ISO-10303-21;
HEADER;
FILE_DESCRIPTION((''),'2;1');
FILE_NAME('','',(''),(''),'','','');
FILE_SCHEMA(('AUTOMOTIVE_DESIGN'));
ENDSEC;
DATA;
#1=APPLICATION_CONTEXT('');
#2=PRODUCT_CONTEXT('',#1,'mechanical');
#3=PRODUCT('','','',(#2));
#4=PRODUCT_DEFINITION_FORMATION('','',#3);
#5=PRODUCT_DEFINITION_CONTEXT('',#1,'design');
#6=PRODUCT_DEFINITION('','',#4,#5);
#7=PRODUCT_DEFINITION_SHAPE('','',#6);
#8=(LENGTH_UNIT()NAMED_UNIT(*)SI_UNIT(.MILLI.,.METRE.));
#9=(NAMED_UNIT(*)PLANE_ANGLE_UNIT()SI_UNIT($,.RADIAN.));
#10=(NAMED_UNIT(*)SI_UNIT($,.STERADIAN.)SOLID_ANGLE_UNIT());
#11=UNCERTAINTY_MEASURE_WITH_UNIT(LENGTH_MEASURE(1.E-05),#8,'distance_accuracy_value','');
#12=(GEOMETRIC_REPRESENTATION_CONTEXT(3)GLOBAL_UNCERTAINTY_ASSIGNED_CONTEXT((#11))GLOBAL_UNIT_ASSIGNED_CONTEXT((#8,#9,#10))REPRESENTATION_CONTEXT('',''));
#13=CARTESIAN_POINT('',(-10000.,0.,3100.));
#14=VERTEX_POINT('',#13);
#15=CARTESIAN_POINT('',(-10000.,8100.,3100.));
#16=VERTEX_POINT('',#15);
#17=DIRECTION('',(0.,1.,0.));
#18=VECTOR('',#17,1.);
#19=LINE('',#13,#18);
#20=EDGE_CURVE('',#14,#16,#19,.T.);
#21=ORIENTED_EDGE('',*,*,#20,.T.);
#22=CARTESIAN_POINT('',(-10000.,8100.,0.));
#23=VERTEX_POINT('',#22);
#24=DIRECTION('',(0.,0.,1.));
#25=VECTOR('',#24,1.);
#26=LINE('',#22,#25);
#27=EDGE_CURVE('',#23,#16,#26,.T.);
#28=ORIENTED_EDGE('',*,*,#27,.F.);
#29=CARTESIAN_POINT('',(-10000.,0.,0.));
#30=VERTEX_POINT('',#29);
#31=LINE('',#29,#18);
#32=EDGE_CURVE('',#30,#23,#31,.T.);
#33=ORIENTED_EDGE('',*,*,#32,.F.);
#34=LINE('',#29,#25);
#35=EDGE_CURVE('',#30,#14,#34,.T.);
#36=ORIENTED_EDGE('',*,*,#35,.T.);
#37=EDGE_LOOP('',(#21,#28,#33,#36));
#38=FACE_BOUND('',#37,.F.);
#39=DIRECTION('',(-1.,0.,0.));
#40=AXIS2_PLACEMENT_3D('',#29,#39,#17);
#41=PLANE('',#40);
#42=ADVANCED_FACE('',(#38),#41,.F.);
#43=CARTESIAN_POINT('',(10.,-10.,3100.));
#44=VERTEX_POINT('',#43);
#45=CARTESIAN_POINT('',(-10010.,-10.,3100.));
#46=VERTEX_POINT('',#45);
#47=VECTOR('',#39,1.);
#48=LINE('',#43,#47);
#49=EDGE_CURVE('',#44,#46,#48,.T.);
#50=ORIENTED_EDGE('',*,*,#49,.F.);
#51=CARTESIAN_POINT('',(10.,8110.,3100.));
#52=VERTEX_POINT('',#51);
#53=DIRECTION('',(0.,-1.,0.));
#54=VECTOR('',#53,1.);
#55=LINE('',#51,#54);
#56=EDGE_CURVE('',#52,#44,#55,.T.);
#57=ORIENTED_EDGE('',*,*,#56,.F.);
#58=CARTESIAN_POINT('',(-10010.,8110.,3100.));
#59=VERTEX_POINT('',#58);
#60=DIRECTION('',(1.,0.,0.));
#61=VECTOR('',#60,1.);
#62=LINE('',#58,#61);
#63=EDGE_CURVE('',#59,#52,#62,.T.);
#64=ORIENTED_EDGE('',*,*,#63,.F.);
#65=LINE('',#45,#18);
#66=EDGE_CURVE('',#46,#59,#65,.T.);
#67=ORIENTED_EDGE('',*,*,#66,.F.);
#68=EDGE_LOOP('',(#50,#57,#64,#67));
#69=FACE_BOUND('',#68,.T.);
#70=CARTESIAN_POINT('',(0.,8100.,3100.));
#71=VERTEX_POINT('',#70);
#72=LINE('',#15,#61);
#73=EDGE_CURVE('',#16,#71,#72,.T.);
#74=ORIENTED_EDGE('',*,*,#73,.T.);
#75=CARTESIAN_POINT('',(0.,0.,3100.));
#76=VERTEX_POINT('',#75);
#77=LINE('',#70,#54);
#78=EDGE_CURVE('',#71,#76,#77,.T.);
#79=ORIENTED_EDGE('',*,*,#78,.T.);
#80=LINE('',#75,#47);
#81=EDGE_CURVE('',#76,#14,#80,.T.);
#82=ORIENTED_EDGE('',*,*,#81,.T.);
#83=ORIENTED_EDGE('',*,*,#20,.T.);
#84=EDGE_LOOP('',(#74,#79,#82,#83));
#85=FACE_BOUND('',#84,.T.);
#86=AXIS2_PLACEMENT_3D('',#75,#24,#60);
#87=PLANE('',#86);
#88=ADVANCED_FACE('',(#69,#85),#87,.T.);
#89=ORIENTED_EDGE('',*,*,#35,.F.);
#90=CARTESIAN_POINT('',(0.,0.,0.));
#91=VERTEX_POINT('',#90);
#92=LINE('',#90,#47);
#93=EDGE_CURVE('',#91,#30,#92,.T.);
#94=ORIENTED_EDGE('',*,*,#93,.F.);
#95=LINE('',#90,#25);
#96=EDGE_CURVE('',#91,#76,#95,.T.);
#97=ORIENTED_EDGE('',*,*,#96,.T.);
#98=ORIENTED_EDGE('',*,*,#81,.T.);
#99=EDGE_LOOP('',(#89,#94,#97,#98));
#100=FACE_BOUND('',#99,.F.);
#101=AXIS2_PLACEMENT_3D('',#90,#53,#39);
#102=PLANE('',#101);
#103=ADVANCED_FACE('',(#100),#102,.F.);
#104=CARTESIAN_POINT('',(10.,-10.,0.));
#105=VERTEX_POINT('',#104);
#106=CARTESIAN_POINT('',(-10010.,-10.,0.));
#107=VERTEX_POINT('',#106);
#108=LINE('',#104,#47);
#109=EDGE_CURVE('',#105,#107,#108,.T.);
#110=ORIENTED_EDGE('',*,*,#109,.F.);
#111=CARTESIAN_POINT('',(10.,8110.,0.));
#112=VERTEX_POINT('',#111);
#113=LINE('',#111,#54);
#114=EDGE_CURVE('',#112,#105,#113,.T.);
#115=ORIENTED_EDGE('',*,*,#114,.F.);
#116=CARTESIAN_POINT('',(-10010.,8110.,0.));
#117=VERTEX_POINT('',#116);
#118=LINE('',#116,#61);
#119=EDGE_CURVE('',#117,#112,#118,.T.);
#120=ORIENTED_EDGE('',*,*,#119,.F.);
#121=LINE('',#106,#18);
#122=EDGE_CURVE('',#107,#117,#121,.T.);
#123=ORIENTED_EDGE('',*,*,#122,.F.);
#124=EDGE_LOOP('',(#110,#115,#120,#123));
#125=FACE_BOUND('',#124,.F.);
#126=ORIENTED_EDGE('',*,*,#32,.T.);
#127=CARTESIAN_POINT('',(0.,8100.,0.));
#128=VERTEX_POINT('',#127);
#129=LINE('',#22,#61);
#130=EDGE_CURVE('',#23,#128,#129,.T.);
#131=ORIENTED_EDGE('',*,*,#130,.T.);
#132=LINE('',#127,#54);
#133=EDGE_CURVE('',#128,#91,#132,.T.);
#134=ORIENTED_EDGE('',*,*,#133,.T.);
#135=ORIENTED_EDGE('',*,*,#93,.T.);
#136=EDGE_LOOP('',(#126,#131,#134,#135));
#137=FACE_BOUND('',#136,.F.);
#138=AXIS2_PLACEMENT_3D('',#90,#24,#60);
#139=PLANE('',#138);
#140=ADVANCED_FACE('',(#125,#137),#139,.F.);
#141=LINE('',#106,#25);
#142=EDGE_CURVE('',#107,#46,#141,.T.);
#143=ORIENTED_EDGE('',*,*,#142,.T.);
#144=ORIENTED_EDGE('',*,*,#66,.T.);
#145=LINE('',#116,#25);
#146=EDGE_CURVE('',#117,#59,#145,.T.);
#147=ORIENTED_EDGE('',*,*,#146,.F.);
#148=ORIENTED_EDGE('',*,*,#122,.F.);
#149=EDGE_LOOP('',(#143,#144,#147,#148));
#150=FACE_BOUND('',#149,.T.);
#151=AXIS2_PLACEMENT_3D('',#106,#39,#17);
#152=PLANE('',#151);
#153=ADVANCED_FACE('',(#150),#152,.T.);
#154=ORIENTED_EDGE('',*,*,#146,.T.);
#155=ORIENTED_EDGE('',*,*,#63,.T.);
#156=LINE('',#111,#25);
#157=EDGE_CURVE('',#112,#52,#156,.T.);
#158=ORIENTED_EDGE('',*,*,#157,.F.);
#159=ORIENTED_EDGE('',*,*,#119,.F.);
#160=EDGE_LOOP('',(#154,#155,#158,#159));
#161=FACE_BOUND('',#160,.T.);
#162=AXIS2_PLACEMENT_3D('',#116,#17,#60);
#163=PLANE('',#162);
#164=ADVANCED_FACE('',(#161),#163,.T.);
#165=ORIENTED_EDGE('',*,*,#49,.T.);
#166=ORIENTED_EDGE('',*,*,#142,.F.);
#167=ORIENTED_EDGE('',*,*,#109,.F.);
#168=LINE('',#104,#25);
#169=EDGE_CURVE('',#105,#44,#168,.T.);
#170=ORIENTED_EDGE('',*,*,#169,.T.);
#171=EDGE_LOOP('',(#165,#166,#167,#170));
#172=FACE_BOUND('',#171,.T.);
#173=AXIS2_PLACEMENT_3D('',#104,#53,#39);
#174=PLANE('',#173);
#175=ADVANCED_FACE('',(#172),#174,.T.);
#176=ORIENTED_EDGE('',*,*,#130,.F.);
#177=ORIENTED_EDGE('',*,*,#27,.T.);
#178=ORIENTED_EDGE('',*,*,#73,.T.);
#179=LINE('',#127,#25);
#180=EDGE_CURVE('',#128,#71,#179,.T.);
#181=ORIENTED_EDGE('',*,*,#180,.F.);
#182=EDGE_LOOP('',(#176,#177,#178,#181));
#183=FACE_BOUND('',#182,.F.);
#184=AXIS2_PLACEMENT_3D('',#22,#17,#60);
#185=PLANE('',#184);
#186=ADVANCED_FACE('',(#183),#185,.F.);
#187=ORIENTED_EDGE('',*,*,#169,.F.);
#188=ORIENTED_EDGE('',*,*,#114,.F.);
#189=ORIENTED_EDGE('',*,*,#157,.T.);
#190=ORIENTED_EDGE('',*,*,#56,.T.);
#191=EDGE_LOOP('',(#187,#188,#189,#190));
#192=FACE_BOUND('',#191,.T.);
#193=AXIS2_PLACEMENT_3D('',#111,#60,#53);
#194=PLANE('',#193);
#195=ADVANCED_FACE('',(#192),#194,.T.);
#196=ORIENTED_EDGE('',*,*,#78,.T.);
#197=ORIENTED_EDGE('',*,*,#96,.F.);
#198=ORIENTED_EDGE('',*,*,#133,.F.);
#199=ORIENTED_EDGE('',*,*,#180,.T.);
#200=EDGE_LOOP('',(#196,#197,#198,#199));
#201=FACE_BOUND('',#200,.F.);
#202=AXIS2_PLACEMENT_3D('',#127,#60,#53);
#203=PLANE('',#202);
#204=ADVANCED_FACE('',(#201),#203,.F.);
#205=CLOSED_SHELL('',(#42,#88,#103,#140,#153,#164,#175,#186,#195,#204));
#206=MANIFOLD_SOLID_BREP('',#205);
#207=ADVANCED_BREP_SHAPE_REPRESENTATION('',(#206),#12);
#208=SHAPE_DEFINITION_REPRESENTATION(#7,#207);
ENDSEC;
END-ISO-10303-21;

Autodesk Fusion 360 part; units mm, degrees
sketch "スケッチ1" plane through (0, 0, 0) normal (0, 1, 0) x (1, 0, 0)
sketch "スケッチ2" plane through (0, 0, 0) normal (0, 0, 1) x (1, 0, 0)
  line L0 (0, 0) -> (-10000, 0)
  line L1 (-10000, 0) -> (-10000, 8100)
  line L2 (-10000, 8100) -> (0, 8100)
  line L3 (0, 8100) -> (0, 0)
  line L4 (10, -10) -> (-10010, -10)
  line L5 (-10010, -10) -> (-10010, 8110)
  line L6 (-10010, 8110) -> (10, 8110)
  line L7 (10, 8110) -> (10, -10)
  point P0 (10, -10)
  dimension "d1" = 10000
  dimension "d2" = 8100
  dimension "d4" = 10020
  dimension "d5" = 8120
extrude "押し出し1" add sketch "スケッチ2" along normal blind 3100
